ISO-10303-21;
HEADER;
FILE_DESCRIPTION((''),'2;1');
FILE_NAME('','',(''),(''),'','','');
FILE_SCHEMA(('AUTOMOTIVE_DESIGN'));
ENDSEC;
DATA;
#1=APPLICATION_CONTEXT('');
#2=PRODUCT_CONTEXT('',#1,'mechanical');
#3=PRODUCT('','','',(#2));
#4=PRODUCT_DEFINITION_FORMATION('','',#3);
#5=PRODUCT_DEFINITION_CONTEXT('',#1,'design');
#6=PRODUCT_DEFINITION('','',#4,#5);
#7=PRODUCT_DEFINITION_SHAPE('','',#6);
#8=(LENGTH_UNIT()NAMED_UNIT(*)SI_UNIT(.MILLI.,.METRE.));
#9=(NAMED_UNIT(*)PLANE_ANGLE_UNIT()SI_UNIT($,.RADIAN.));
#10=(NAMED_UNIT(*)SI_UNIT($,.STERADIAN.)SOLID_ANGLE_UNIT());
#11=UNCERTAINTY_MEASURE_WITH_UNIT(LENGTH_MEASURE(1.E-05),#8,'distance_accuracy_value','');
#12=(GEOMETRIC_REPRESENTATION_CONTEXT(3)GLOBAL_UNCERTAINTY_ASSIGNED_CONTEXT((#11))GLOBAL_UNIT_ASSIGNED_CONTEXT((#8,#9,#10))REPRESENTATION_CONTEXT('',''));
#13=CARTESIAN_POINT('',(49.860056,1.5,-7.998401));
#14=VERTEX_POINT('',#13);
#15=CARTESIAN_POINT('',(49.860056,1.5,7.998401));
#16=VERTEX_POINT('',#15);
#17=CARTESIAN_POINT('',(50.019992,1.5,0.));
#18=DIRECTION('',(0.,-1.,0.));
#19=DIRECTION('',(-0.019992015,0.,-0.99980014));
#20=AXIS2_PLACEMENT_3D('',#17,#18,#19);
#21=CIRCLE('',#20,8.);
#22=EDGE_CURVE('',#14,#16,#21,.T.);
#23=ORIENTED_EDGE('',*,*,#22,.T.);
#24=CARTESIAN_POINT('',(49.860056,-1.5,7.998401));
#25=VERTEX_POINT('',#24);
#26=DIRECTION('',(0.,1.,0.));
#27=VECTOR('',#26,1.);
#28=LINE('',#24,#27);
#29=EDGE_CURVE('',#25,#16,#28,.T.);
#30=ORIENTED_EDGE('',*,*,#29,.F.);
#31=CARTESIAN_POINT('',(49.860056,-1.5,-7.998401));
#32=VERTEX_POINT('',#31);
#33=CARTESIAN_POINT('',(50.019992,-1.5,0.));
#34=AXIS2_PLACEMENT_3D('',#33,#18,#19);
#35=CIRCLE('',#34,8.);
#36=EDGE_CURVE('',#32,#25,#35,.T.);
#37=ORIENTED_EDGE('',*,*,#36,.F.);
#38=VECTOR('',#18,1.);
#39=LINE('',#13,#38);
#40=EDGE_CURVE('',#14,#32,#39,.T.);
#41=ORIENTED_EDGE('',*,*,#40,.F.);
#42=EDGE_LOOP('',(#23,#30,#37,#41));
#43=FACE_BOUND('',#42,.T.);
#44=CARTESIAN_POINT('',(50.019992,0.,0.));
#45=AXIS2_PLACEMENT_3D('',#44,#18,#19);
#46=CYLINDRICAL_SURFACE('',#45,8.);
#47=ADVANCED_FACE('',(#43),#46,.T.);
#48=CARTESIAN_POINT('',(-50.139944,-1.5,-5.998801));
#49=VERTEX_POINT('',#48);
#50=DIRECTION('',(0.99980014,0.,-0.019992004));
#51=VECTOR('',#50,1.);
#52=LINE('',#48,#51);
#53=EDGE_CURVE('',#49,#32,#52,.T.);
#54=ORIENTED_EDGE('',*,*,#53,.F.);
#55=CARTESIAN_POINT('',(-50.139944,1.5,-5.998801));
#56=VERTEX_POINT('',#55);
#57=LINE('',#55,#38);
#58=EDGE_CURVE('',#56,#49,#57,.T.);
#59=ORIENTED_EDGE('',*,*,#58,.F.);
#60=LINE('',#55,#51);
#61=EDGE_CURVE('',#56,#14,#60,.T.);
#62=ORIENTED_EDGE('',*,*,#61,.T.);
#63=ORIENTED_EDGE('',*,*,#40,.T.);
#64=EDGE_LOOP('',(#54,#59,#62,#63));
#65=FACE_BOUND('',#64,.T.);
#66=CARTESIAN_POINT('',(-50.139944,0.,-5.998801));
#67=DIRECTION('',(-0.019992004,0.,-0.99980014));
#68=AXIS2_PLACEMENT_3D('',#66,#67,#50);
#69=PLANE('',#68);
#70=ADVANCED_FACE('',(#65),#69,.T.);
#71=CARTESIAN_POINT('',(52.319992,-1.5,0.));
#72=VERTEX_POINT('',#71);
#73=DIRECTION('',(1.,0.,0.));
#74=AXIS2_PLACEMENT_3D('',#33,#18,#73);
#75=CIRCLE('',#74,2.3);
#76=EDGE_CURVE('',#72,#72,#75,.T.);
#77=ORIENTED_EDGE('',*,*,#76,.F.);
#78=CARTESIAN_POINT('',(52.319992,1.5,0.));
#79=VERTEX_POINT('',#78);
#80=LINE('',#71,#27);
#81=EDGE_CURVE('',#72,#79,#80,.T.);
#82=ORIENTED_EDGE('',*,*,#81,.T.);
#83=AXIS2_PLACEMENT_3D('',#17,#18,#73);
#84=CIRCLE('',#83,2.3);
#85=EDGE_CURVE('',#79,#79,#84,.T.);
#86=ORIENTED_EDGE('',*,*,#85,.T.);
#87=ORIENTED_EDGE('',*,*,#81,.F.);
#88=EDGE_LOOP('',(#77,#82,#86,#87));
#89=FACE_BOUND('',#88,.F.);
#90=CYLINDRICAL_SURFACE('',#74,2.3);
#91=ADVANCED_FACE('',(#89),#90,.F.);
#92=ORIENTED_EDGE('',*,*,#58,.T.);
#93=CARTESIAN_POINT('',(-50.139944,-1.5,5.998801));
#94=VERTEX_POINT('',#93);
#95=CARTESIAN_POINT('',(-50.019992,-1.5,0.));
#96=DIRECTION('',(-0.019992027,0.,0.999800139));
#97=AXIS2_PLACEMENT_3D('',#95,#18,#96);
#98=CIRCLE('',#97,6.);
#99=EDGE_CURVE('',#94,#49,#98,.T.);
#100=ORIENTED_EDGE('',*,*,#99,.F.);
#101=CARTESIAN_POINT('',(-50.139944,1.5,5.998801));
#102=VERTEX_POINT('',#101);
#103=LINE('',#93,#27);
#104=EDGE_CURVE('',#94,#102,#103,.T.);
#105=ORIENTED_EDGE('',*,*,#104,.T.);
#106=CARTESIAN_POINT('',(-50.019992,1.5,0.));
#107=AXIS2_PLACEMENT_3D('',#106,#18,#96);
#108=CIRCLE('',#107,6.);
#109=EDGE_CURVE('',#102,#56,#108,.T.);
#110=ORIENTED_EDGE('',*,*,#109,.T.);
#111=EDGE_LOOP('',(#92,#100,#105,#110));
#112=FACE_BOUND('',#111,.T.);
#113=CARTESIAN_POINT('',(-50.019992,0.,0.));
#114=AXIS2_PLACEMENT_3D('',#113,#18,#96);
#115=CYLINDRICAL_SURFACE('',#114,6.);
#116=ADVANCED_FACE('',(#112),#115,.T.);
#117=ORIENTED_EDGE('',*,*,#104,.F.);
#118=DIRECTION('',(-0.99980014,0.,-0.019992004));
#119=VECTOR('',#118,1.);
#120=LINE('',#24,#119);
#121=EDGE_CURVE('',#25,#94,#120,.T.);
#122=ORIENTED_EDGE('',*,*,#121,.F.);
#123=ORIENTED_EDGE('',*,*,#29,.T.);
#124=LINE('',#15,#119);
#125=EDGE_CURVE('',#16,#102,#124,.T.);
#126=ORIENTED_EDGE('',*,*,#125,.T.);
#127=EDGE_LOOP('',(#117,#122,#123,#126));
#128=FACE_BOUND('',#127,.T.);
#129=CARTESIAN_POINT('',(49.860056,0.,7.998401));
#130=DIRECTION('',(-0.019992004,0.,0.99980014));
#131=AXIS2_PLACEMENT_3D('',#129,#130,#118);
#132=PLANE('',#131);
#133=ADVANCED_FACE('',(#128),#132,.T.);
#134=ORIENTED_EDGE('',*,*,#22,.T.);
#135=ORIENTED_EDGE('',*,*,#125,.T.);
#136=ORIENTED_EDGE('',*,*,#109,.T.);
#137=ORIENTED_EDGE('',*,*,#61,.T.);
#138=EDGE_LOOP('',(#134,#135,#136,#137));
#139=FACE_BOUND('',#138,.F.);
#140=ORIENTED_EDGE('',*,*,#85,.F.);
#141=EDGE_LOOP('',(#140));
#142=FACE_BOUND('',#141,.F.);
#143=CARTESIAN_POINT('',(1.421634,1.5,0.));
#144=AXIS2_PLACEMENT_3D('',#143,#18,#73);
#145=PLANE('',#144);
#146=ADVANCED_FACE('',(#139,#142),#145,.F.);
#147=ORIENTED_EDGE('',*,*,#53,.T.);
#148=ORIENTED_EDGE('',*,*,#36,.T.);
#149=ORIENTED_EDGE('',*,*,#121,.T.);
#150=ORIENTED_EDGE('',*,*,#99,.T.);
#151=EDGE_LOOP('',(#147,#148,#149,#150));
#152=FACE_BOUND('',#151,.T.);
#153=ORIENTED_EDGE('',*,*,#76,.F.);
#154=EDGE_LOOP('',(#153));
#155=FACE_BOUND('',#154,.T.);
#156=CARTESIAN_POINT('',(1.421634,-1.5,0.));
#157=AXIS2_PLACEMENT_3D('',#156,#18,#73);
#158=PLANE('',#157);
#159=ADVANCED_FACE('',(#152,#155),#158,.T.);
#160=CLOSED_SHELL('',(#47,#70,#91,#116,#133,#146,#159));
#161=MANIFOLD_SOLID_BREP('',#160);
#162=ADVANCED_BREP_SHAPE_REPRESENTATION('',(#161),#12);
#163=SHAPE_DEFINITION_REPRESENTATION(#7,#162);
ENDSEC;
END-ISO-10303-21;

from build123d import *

# Parameters (mm, degrees)
F1_DEPTH = 1.5
F2_R     = 2.3
F3_DEPTH = 25


with BuildPart() as f1:
    # F0 (on Front) → F1 (new body, symmetric)
    with BuildSketch(Plane.XZ):
        with BuildLine():
            ThreePointArc((-50.139944, 5.998801), (-56.019992, 0), (-50.139944, -5.998801))
            Line((-50.139944, -5.998801), (49.860056, -7.998401))
            ThreePointArc((49.860056, -7.998401), (58.019992, 0), (49.860056, 7.998401))
            Line((49.860056, 7.998401), (-50.139944, 5.998801))
        make_face()
    extrude(amount=F1_DEPTH, both=True)

    # F2 (on face) → F3 (cut)
    with BuildSketch(Plane.XZ.offset(1.5)):
        with Locations((50.019992, 0)):
            Circle(F2_R)
    extrude(amount=-F3_DEPTH, mode=Mode.SUBTRACT)


solid = f1.part
